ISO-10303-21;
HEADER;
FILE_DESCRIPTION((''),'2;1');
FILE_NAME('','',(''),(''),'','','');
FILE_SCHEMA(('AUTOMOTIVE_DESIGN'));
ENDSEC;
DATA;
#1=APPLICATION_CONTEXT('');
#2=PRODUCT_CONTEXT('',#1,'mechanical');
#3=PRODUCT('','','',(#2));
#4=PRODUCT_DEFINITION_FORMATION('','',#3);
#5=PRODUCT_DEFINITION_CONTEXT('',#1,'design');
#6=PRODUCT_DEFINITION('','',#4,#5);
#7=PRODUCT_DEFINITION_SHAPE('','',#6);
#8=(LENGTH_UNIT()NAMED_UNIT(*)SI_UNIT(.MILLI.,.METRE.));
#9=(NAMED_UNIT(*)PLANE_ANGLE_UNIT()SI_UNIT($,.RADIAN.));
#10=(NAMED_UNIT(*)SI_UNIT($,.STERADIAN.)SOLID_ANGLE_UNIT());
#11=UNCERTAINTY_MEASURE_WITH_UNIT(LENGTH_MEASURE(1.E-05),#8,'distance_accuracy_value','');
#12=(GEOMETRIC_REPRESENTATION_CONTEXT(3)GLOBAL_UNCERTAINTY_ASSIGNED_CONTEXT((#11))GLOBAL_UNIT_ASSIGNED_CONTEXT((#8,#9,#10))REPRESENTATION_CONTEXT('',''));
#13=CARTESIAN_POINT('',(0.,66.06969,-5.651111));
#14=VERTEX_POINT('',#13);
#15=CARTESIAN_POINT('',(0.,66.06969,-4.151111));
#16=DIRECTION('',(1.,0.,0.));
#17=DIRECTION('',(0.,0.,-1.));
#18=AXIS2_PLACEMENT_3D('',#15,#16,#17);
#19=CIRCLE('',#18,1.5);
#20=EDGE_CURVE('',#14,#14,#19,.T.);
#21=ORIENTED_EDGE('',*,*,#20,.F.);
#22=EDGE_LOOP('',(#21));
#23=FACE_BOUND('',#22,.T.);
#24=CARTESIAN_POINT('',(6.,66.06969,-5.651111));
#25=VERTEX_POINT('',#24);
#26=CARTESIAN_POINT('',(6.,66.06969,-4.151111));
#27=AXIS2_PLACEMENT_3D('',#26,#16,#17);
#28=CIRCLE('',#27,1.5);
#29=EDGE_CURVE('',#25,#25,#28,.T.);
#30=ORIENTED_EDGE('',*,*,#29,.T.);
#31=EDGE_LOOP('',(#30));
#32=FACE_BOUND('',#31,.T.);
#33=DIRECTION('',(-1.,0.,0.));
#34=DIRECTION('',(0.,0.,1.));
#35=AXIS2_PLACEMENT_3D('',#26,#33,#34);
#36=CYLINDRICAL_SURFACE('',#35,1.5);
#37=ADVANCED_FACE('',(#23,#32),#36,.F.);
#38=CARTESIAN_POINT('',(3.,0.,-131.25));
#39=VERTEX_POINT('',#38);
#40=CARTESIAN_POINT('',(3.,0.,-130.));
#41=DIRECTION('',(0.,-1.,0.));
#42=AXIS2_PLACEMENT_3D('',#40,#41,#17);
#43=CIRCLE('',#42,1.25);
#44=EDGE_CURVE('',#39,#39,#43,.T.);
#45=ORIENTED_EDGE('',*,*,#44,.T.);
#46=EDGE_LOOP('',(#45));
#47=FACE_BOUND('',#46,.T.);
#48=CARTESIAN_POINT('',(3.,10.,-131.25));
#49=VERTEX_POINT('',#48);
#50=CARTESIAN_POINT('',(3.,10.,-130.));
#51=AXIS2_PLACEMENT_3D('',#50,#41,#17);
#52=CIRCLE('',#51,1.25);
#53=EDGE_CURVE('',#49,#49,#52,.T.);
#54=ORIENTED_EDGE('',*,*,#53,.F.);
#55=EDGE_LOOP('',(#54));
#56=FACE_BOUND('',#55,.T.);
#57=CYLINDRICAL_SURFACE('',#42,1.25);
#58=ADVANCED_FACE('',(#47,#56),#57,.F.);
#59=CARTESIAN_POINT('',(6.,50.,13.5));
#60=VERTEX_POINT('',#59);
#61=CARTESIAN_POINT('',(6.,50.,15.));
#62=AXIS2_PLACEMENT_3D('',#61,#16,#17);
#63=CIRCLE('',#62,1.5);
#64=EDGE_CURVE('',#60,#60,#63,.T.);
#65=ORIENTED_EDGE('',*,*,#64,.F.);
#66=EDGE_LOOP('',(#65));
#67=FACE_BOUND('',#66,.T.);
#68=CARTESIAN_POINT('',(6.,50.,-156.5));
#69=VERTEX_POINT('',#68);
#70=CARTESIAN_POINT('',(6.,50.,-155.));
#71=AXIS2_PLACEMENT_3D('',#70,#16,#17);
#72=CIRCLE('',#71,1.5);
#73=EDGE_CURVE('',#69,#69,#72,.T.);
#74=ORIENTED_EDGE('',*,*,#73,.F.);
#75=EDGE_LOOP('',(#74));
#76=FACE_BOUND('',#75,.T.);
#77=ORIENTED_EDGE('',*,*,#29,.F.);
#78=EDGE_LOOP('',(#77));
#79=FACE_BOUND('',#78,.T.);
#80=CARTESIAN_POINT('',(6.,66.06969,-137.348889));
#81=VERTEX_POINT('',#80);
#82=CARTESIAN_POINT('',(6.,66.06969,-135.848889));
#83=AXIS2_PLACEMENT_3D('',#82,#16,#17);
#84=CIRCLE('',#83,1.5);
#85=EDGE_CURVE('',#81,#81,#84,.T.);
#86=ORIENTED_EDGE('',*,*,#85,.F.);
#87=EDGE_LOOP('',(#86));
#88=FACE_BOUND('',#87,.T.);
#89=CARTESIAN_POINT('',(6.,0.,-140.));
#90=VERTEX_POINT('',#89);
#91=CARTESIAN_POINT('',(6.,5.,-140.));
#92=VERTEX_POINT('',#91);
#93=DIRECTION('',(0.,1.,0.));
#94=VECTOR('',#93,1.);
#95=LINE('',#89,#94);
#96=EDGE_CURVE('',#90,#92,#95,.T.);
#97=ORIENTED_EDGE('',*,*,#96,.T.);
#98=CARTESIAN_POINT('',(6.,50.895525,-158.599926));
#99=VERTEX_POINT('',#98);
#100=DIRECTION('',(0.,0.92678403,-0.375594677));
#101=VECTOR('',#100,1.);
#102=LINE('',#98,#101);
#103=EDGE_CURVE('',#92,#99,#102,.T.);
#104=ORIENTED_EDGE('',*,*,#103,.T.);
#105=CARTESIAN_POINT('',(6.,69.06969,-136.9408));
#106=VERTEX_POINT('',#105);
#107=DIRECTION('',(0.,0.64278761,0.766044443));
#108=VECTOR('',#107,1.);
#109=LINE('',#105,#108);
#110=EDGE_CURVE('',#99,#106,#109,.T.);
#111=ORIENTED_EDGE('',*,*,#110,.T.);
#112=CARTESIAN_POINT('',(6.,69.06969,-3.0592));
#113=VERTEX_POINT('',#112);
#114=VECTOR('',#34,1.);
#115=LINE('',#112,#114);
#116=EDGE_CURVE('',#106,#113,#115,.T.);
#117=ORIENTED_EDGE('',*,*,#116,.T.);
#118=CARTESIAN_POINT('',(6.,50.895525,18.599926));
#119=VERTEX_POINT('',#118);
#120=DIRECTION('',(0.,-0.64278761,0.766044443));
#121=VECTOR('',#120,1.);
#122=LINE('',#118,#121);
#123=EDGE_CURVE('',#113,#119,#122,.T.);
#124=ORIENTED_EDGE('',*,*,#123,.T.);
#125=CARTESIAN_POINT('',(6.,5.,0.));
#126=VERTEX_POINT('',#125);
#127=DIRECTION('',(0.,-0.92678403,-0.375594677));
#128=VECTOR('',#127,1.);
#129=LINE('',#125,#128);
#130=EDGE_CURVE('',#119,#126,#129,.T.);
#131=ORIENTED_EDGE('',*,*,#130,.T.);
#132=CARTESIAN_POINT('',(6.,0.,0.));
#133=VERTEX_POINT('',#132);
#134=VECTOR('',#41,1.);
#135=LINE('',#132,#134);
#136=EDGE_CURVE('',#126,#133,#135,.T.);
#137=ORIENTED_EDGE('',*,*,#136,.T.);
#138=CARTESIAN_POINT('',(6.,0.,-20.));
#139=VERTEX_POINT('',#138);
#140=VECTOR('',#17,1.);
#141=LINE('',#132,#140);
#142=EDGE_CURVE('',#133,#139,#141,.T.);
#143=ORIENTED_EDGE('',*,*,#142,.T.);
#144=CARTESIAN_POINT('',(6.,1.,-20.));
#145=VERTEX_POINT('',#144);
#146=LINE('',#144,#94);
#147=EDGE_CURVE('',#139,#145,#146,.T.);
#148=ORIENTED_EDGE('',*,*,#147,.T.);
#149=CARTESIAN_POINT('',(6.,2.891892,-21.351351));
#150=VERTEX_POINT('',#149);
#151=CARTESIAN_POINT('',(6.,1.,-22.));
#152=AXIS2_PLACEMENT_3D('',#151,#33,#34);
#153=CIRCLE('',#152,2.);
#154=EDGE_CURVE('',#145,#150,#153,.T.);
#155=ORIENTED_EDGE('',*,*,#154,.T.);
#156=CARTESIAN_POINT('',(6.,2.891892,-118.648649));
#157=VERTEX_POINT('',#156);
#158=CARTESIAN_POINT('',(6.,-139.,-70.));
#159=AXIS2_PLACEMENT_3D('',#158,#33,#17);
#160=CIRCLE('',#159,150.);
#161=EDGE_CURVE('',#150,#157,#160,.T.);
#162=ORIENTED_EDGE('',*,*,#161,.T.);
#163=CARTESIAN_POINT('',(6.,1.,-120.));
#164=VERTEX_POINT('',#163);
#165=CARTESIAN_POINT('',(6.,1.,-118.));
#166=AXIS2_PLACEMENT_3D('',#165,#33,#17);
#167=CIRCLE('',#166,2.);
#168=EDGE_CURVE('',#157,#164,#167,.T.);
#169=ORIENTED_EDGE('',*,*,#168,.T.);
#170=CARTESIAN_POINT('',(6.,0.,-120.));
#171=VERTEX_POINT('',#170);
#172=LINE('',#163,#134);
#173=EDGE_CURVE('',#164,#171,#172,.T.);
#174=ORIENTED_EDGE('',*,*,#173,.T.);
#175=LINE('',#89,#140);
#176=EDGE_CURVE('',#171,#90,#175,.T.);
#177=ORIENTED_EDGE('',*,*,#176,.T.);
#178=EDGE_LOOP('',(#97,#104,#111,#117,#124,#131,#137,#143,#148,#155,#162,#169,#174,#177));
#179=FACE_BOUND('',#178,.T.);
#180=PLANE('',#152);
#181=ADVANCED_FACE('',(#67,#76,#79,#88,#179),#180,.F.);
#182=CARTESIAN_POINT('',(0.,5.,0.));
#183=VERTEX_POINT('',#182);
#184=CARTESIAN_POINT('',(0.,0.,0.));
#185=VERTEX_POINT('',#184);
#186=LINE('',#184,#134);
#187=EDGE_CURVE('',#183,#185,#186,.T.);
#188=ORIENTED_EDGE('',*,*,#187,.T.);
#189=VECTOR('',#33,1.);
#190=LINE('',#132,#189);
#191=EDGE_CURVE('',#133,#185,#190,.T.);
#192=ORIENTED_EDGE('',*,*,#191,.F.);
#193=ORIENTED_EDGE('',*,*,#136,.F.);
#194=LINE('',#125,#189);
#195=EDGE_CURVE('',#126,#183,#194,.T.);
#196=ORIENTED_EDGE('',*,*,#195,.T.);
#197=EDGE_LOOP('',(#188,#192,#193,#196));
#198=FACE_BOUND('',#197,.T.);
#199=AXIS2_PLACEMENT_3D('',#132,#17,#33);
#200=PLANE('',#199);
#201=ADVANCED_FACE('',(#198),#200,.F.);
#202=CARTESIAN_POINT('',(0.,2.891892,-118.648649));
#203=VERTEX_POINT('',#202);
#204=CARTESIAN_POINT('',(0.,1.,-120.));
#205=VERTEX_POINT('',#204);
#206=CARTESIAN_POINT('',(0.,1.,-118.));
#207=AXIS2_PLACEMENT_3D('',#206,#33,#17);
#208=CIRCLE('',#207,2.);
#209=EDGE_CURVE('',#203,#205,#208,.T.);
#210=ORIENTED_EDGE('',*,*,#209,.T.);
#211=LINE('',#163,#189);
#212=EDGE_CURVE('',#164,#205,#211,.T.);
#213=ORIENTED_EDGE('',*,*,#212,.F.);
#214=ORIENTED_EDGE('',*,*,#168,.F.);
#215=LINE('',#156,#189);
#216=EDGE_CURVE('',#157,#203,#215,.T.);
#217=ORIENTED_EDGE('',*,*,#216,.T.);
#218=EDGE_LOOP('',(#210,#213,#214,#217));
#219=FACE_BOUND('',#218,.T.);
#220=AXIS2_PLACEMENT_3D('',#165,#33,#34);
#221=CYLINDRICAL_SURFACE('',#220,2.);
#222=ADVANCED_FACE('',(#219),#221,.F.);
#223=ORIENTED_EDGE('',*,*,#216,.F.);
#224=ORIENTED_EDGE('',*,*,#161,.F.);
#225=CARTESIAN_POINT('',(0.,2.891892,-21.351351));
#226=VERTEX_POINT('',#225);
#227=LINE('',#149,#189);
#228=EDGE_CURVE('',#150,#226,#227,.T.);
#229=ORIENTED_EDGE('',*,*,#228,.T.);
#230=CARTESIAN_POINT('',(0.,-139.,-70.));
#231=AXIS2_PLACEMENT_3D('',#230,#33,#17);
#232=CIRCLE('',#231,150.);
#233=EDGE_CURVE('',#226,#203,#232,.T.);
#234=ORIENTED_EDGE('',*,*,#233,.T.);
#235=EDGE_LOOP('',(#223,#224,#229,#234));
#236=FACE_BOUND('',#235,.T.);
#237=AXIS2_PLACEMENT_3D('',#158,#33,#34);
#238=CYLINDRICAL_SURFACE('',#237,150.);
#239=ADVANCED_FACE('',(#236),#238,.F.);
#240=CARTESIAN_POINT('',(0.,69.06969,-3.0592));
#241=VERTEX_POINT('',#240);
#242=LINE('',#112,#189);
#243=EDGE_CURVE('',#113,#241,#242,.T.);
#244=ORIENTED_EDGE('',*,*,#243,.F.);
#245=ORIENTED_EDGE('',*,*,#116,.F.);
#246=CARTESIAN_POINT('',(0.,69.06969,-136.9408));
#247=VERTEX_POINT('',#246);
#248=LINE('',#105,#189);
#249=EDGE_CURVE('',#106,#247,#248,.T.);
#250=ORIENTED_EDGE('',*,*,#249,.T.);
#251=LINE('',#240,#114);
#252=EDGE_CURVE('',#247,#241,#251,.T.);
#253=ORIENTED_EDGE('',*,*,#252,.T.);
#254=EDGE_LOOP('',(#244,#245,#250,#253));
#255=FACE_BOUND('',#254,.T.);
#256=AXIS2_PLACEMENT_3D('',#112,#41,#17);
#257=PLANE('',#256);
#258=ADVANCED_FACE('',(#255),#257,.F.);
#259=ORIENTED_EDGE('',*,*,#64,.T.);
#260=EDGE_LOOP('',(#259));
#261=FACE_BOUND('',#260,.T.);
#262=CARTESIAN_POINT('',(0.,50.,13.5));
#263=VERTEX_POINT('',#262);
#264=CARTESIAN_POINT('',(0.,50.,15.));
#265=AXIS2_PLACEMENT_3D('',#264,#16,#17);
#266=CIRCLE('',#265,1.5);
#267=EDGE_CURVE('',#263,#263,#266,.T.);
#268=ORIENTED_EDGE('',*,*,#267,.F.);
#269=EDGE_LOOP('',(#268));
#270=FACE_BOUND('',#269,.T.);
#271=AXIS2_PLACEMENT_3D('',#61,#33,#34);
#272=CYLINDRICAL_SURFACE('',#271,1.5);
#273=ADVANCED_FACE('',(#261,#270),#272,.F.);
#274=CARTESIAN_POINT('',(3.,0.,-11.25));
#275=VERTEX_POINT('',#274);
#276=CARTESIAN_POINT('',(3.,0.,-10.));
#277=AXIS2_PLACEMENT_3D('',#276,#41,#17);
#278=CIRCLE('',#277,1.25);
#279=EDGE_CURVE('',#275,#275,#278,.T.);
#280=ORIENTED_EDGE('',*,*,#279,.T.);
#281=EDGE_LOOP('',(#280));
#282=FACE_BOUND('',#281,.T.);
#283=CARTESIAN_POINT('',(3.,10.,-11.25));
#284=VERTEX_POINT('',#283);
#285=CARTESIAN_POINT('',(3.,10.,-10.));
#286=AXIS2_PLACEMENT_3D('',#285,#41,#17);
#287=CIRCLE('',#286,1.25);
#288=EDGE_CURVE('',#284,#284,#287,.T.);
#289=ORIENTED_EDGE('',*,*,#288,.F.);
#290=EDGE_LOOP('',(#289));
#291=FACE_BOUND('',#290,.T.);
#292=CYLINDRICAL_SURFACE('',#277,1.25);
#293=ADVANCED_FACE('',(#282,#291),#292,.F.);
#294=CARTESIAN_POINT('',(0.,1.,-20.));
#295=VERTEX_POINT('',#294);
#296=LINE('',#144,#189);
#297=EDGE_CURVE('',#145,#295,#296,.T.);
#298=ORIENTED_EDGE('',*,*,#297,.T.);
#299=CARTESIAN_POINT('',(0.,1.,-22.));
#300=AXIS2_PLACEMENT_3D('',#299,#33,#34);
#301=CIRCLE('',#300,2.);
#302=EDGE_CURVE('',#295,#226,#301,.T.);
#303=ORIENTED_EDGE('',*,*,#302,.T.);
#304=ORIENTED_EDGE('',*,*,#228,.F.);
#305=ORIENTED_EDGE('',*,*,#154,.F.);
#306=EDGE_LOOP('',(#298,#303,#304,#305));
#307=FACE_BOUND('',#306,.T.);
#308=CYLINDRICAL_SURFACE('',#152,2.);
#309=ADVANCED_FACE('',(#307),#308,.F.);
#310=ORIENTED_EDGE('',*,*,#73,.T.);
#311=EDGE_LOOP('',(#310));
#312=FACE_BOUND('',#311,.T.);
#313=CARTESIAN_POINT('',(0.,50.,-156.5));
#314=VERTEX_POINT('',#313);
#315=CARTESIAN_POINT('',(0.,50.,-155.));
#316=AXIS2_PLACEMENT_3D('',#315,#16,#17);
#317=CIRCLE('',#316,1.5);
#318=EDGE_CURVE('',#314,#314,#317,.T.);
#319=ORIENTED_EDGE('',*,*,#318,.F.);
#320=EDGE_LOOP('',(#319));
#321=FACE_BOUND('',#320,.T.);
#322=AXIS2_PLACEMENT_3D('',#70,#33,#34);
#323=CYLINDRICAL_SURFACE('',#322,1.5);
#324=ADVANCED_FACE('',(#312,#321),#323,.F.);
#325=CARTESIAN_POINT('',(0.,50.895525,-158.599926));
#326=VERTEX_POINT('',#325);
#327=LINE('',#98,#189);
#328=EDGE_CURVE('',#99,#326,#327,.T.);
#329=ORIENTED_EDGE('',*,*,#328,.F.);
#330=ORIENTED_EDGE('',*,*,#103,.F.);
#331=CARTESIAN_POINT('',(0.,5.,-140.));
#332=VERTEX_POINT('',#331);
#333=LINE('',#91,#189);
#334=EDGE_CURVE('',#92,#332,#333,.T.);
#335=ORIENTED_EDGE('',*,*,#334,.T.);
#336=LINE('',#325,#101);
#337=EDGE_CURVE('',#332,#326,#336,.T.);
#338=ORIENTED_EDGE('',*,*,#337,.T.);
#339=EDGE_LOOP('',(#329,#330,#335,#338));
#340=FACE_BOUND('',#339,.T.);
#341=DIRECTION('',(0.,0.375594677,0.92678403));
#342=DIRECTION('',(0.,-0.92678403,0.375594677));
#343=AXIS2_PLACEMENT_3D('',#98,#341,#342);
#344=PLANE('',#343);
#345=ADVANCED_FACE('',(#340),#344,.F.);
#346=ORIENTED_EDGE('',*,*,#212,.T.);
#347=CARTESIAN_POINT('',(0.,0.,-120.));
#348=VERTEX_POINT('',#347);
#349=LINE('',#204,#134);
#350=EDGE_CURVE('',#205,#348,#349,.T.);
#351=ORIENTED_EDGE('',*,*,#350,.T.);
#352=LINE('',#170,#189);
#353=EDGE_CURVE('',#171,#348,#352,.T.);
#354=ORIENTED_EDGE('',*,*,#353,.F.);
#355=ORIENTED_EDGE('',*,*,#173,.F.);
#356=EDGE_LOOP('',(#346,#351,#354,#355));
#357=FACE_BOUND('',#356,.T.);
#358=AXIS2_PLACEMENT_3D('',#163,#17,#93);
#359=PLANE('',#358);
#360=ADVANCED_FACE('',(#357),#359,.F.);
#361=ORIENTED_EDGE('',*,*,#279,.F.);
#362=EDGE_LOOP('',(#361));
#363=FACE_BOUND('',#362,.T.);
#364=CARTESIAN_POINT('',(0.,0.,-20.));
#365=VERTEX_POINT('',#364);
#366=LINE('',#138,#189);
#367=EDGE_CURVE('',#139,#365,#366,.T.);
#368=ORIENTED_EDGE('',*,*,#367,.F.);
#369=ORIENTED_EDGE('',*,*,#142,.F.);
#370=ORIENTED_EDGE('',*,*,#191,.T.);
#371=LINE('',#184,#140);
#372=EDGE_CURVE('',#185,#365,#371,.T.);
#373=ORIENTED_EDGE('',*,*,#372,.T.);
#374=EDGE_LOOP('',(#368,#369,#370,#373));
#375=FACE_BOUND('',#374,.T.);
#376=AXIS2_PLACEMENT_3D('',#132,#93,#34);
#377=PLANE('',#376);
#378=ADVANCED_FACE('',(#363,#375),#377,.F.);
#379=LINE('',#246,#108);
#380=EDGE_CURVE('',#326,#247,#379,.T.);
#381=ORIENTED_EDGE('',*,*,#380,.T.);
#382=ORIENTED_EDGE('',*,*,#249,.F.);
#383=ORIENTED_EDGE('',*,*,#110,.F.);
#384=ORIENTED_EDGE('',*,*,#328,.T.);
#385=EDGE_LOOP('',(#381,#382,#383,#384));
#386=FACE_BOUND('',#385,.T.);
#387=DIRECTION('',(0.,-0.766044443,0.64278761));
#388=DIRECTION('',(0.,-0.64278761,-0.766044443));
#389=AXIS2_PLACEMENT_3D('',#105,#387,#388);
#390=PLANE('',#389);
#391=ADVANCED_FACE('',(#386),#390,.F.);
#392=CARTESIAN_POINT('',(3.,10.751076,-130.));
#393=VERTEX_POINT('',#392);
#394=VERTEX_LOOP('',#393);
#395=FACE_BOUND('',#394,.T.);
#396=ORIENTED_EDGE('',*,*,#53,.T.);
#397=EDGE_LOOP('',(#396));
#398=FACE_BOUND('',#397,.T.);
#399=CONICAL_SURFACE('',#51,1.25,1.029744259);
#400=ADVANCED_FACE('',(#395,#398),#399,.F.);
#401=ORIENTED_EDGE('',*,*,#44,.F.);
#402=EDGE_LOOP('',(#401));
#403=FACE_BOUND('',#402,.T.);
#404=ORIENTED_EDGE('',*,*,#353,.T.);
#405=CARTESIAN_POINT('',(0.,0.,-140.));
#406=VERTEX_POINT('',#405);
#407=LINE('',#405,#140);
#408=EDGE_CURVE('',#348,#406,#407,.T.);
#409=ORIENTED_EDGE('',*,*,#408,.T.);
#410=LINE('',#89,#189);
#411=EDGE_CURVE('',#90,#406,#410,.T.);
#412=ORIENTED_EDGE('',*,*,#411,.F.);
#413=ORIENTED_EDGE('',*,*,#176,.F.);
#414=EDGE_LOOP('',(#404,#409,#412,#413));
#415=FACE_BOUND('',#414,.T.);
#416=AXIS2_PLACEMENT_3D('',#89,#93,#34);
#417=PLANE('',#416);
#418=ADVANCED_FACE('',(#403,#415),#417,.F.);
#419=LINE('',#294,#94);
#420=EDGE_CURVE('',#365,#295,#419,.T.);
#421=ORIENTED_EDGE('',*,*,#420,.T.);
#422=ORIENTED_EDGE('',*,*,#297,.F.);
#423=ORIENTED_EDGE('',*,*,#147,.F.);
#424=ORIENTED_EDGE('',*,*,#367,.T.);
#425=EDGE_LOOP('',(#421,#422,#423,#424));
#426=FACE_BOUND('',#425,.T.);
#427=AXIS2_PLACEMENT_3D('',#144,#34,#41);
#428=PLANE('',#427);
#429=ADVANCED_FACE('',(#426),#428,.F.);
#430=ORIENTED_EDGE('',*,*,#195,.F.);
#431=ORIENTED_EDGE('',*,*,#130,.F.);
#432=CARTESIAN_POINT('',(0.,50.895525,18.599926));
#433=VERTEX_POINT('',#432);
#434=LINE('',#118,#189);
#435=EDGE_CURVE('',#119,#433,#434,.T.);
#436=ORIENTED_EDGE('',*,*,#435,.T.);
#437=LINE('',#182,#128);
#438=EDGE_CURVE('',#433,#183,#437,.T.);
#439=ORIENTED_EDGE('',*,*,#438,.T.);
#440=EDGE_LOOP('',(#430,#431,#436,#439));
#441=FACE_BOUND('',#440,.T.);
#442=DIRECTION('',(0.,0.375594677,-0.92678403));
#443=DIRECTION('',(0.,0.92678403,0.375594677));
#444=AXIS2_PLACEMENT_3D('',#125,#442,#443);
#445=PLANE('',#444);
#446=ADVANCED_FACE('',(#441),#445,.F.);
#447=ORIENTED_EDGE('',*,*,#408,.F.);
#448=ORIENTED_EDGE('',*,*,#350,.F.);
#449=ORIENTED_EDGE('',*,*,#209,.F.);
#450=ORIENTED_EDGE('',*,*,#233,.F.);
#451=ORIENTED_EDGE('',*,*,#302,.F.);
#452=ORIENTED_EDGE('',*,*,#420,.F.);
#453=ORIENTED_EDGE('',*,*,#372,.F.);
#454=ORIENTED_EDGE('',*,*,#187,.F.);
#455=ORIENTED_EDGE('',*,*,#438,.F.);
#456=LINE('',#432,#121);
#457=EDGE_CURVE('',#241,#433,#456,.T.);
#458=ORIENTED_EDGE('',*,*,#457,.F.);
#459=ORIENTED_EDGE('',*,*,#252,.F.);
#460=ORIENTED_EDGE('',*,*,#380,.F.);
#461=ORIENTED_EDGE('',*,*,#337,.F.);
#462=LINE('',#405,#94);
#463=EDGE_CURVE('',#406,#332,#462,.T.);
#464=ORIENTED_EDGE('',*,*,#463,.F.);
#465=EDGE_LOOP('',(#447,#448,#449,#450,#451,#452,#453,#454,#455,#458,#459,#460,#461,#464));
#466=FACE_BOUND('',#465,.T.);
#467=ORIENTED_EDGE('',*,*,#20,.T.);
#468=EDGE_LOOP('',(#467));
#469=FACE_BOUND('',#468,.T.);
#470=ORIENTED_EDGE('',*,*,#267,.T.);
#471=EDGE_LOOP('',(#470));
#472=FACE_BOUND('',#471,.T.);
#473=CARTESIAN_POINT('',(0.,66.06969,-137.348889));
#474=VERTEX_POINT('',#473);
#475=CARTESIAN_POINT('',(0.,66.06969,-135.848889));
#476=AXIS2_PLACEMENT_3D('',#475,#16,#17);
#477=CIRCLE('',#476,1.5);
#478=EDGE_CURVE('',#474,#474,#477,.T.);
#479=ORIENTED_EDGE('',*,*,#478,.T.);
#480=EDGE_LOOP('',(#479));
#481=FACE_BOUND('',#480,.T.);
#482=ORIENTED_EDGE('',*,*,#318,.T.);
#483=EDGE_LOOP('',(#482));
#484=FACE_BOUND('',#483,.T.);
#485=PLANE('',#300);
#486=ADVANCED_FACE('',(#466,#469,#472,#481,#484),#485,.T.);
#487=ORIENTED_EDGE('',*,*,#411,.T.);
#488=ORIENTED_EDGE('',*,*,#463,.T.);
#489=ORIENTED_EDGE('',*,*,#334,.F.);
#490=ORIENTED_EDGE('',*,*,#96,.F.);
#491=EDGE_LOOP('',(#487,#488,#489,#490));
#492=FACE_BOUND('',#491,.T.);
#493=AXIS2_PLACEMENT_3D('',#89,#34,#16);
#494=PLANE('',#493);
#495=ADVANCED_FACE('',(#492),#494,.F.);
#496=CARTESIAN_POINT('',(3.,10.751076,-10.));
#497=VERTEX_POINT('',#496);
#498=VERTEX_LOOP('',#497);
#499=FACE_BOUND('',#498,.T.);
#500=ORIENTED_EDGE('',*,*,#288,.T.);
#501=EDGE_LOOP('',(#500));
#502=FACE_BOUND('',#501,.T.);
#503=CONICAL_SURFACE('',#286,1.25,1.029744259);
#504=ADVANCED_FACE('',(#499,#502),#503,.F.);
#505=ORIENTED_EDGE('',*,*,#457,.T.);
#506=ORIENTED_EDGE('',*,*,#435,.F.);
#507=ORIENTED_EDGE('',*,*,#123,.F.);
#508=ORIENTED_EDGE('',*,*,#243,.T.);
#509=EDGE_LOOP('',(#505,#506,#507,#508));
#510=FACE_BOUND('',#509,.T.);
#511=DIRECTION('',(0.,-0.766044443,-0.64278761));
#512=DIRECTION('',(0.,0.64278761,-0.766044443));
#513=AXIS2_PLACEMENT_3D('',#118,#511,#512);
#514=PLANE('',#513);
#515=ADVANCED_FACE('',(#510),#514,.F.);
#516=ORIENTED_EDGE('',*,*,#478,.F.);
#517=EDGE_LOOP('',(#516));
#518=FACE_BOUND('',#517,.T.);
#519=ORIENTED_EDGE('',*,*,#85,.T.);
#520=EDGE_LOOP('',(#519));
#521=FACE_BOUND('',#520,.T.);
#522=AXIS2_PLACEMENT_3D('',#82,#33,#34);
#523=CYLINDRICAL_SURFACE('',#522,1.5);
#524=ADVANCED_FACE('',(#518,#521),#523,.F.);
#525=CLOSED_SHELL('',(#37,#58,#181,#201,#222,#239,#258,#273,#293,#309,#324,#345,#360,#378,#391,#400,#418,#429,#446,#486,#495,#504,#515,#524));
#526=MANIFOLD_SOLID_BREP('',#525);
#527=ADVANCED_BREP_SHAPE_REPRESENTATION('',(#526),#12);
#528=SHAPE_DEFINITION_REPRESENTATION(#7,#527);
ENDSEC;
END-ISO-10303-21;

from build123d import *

# Parameters (mm, degrees)
SKETCH1_R                   = 1.5
BOSS_EXTRUDE1_DEPTH         = 6
TAP_DRILL_FOR_M3_TAP1_D     = 2.5
TAP_DRILL_FOR_M3_TAP1_DEPTH = 10
TAP_DRILL_FOR_M3_TAP1_TIP   = 0.751075774


with BuildPart() as part:
    # Sketch1 → Boss-Extrude1 (new body)
    with BuildSketch(Plane(origin=(0, 0, 0), x_dir=(0, 0, -1), z_dir=(1, 0, 0))):
        with BuildLine():
            Line((0, 0), (0, 5))
            Line((0, 5), (-18.599926487, 50.895524881))
            Line((-18.599926487, 50.895524881), (3.059200375, 69.069690242))
            Line((3.059200375, 69.069690242), (136.940799625, 69.069690242))
            Line((136.940799625, 69.069690242), (158.599926487, 50.895524881))
            Line((158.599926487, 50.895524881), (140, 5))
            Line((140, 5), (140, 0))
            Line((140, 0), (120, 0))
            Line((120, 0), (120, 1))
            ThreePointArc((120, 1), (119.627466942, 2.162476387), (118.648648649, 2.891891892))
            ThreePointArc((118.648648649, 2.891891892), (70, 11), (21.351351351, 2.891891892))
            ThreePointArc((21.351351351, 2.891891892), (20.372533058, 2.162476387), (20, 1))
            Line((20, 1), (20, 0))
            Line((20, 0), (0, 0))
        make_face()
        with Locations((-15, 50)):
            Circle(SKETCH1_R, mode=Mode.SUBTRACT)
        with Locations((155, 50)):
            Circle(SKETCH1_R, mode=Mode.SUBTRACT)
        with Locations((4.151111078, 66.069690242)):
            Circle(SKETCH1_R, mode=Mode.SUBTRACT)
        with Locations((135.848888922, 66.069690242)):
            Circle(SKETCH1_R, mode=Mode.SUBTRACT)
    extrude(amount=BOSS_EXTRUDE1_DEPTH)

    # Tap Drill for M3 Tap1
    with Locations(Plane(origin=(0, 0, 0), x_dir=(-1, 0, 0), z_dir=(0, -1, 0))):
        with Locations((-3, 10), (-3, 130)):
            Hole(TAP_DRILL_FOR_M3_TAP1_D / 2, depth=TAP_DRILL_FOR_M3_TAP1_DEPTH)
            with Locations((0, 0, -(TAP_DRILL_FOR_M3_TAP1_DEPTH + TAP_DRILL_FOR_M3_TAP1_TIP / 2))):  # 118° drill point
                Cone(0, TAP_DRILL_FOR_M3_TAP1_D / 2, TAP_DRILL_FOR_M3_TAP1_TIP, mode=Mode.SUBTRACT)


solid = part.part
